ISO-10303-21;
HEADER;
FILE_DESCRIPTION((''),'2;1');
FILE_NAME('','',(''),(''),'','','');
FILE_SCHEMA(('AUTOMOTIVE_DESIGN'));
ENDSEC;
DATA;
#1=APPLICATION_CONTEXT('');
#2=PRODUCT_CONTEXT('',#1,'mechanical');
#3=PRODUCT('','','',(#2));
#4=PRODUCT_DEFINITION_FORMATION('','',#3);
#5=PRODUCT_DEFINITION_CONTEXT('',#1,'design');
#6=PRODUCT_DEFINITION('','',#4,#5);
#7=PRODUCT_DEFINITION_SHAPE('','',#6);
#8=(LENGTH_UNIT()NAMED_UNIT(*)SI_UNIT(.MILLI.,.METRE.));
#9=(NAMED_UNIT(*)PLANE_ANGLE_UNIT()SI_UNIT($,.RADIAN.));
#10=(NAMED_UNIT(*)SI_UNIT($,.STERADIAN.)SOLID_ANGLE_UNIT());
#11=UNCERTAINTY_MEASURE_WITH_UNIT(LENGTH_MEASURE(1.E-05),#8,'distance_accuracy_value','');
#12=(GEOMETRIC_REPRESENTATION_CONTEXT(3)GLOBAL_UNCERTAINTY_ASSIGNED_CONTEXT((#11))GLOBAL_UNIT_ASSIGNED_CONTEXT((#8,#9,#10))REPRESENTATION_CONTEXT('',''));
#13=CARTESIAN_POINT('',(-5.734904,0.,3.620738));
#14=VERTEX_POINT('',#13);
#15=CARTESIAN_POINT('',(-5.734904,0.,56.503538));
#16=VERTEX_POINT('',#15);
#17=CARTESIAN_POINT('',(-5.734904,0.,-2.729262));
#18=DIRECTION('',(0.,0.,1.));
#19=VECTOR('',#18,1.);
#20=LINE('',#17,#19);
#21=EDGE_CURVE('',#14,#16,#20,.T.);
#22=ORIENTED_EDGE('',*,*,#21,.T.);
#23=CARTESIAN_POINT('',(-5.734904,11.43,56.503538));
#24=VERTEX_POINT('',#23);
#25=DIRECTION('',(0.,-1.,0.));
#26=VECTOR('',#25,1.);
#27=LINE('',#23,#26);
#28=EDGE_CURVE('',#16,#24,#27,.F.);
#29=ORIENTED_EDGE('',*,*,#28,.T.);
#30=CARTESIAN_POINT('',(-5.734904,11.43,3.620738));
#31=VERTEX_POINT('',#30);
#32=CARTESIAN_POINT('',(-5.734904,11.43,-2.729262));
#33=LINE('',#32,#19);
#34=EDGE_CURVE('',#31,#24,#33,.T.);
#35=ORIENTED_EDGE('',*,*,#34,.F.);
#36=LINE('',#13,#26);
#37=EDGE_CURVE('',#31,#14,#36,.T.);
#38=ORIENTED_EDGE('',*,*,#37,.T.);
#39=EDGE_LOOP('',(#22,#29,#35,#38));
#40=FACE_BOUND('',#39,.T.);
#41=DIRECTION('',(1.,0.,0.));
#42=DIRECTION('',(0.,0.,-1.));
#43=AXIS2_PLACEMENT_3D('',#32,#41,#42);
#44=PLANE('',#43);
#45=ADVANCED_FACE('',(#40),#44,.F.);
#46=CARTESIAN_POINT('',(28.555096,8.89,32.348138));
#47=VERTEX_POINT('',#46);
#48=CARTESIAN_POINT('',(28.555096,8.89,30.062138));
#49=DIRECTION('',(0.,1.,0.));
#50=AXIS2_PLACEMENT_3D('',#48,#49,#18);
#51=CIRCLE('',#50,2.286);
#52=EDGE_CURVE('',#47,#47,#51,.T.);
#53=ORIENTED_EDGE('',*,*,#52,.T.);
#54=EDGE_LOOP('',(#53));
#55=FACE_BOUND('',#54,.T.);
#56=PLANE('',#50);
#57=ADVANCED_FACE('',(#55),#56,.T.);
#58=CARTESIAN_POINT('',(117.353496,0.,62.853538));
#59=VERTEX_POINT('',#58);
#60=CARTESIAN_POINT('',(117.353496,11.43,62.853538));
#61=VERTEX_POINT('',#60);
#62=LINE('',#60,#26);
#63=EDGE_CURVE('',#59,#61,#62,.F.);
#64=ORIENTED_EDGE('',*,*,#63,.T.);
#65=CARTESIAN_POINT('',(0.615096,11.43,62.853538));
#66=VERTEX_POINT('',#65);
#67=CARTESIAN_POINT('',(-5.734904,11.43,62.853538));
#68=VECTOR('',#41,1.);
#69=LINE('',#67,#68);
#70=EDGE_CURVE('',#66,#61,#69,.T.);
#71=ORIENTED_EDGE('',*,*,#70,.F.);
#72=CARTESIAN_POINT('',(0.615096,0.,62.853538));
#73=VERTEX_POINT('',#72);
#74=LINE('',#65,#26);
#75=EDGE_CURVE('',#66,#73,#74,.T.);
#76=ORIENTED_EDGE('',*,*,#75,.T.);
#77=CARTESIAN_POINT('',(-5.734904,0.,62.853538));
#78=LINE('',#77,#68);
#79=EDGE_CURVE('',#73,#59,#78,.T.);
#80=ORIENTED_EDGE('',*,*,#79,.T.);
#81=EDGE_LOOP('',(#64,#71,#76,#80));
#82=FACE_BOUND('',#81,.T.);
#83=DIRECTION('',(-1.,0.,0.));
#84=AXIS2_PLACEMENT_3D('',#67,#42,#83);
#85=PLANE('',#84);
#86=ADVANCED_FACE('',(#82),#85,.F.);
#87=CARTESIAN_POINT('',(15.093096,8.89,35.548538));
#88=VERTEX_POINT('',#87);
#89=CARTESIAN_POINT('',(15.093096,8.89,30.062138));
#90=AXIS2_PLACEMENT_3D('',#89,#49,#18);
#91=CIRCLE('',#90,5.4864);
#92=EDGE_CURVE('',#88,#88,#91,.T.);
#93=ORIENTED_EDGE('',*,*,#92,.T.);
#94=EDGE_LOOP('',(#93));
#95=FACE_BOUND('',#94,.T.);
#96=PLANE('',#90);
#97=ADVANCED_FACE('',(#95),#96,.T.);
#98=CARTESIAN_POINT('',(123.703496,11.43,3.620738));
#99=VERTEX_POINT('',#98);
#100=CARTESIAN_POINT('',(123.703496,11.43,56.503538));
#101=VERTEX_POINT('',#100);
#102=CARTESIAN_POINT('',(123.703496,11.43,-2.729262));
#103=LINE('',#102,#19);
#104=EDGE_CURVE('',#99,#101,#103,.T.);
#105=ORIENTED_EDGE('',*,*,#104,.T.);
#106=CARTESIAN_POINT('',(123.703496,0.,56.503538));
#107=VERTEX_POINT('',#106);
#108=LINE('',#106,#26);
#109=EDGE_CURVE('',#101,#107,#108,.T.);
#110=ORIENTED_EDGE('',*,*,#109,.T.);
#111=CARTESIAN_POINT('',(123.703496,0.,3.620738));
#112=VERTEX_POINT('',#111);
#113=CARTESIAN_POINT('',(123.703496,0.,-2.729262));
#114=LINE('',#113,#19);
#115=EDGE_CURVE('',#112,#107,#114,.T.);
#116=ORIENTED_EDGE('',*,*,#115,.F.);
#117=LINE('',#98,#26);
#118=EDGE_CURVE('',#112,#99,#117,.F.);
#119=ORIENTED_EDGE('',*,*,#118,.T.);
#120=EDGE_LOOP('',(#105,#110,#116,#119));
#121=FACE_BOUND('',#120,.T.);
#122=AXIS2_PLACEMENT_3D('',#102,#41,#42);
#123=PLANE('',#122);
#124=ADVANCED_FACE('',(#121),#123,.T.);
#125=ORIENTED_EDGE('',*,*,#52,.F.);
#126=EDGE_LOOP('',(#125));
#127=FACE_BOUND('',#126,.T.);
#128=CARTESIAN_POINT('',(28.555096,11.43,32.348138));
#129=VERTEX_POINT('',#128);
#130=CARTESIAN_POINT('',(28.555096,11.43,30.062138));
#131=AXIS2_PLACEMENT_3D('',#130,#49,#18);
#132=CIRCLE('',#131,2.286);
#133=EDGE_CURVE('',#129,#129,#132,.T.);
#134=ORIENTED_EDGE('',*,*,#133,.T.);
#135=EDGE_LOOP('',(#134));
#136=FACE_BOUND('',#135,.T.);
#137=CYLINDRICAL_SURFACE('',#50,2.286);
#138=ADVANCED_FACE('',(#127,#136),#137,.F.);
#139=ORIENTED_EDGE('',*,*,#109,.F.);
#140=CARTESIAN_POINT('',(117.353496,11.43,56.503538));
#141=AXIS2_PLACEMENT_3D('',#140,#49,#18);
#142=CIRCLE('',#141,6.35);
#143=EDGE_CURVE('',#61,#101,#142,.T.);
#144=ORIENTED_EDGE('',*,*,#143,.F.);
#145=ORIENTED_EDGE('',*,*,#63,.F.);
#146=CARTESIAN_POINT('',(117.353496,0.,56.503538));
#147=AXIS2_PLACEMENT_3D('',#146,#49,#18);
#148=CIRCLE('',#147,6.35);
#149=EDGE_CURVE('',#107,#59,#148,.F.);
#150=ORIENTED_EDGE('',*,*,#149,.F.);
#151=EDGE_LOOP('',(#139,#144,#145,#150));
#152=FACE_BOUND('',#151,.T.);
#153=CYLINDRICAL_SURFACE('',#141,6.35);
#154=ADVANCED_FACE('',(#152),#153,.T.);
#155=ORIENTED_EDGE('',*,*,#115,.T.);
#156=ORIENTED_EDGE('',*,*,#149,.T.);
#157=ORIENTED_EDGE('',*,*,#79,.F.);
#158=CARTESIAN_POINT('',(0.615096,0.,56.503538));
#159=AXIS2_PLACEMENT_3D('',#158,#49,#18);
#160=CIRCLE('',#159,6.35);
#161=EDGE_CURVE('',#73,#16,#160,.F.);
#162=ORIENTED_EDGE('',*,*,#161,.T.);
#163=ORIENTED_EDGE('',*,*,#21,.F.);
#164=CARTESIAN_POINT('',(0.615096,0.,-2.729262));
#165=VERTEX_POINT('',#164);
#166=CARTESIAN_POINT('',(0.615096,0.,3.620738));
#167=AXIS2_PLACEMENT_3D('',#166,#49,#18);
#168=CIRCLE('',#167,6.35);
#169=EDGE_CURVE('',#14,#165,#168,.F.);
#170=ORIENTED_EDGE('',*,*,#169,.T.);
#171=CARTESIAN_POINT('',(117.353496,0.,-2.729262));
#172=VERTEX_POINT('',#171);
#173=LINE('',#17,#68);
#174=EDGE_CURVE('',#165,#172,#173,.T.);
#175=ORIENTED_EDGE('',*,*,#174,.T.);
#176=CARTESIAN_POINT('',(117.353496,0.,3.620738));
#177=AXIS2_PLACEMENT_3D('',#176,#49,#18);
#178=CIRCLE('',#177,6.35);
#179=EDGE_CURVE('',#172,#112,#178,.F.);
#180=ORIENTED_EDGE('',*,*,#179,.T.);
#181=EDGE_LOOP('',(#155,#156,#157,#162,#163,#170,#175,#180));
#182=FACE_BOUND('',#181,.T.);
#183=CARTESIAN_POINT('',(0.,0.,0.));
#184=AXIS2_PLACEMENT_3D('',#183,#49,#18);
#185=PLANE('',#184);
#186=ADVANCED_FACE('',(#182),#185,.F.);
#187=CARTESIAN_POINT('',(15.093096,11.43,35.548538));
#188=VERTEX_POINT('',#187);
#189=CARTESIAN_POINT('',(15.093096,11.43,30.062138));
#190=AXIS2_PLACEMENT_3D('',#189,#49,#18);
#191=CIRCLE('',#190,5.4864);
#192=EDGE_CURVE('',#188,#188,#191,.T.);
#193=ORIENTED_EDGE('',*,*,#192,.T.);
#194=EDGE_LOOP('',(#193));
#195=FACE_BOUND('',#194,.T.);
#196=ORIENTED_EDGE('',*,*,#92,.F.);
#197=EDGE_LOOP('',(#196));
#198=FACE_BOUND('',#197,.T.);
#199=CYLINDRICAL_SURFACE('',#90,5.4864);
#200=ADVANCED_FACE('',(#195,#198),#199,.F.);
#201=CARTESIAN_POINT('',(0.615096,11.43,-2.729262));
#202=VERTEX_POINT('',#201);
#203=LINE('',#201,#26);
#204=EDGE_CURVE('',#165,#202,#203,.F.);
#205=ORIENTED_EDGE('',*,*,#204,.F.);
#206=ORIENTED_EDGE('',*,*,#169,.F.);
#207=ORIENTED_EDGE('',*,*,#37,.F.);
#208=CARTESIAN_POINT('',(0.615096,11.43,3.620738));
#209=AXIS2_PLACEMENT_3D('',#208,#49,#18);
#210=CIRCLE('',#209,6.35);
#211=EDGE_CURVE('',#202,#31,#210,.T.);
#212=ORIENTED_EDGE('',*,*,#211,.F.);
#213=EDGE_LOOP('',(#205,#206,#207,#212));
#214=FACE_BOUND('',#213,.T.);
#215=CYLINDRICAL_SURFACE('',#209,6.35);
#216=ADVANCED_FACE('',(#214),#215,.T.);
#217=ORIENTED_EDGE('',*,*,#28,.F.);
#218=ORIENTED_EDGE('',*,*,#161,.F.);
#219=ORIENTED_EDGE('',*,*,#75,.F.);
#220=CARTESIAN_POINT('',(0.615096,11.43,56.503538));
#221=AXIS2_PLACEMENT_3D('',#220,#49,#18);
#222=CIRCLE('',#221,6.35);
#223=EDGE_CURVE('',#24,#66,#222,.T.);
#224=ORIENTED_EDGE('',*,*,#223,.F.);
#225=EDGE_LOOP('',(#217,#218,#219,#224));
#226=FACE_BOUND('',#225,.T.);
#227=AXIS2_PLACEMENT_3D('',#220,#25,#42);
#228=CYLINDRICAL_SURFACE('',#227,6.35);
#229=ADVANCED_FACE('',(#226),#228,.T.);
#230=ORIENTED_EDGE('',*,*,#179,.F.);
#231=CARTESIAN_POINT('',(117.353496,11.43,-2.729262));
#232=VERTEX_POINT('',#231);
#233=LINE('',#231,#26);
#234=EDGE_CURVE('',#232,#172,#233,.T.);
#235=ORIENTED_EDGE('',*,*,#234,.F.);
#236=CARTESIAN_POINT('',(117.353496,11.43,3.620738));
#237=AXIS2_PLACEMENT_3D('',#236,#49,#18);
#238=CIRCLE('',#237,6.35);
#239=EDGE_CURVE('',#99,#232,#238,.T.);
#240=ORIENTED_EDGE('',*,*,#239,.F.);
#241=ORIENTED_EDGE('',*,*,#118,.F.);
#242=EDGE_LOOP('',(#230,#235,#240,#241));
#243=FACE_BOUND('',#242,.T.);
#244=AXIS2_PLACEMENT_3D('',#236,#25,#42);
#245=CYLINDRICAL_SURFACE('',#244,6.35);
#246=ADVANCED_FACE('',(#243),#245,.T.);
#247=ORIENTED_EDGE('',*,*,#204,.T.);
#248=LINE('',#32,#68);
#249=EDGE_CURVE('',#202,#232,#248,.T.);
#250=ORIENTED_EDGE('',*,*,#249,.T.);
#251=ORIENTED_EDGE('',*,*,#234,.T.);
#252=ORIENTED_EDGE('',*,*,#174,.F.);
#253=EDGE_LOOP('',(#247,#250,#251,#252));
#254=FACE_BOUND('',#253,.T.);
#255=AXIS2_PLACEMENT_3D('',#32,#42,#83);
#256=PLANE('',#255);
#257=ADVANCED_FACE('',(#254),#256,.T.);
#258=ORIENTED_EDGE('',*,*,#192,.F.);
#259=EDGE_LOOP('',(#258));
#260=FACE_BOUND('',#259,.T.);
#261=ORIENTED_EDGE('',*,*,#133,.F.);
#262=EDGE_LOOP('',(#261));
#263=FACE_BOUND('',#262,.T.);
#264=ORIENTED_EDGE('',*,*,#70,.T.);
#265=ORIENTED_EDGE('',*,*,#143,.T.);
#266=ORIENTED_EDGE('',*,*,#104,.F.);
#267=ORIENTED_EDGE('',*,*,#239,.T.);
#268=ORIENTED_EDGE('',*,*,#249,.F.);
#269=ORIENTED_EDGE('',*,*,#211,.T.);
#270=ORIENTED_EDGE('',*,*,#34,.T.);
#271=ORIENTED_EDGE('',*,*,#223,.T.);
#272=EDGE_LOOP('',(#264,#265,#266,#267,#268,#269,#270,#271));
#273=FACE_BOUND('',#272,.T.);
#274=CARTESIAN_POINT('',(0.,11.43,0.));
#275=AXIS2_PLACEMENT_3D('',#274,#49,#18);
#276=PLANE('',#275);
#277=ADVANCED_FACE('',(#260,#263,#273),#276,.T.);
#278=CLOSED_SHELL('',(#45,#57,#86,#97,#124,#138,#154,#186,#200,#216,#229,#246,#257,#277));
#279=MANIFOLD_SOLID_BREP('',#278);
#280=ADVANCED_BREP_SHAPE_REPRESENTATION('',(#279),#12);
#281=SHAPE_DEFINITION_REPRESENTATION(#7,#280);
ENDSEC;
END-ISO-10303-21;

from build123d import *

# Parameters (mm, degrees)
SKETCH1_W           = 129.4384
SKETCH1_H           = 65.5828
BOSS_EXTRUDE1_DEPTH = 11.43
FILLET1_R           = 6.35
SKETCH2_R           = 5.4864
SKETCH2_R_2         = 2.286
CUT_EXTRUDE1_DEPTH  = 2.54


with BuildPart() as part:
    # Sketch1 → Boss-Extrude1 (new body)
    with BuildSketch(Plane(origin=(0, 0, 0), x_dir=(1, 0, 0), z_dir=(0, 1, 0))):
        with Locations((58.984295801, -30.062138363)):
            Rectangle(SKETCH1_W, SKETCH1_H)
    extrude(amount=BOSS_EXTRUDE1_DEPTH)

    # Fillet1
    fillet1_edges = [part.edges().sort_by_distance(p)[0] for p in [
        (-5.734904199, 5.715, -2.729261637),
        (123.703495801, 5.715, -2.729261637),
        (123.703495801, 5.715, 62.853538363),
        (-5.734904199, 5.715, 62.853538363),
    ]]
    fillet(fillet1_edges, radius=FILLET1_R)

    # Sketch2 → Cut-Extrude1 (cut)
    with BuildSketch(Plane(origin=(0, 11.43, 0), x_dir=(1, 0, 0), z_dir=(0, 1, 0))):
        with Locations(Location((15.093095801, -30.062138363, 0), (0, 0, 270))):
            Circle(SKETCH2_R)
        with Locations(Location((28.555095801, -30.062138363, 0), (0, 0, 270))):
            Circle(SKETCH2_R_2)
    extrude(amount=-CUT_EXTRUDE1_DEPTH, mode=Mode.SUBTRACT)


solid = part.part
